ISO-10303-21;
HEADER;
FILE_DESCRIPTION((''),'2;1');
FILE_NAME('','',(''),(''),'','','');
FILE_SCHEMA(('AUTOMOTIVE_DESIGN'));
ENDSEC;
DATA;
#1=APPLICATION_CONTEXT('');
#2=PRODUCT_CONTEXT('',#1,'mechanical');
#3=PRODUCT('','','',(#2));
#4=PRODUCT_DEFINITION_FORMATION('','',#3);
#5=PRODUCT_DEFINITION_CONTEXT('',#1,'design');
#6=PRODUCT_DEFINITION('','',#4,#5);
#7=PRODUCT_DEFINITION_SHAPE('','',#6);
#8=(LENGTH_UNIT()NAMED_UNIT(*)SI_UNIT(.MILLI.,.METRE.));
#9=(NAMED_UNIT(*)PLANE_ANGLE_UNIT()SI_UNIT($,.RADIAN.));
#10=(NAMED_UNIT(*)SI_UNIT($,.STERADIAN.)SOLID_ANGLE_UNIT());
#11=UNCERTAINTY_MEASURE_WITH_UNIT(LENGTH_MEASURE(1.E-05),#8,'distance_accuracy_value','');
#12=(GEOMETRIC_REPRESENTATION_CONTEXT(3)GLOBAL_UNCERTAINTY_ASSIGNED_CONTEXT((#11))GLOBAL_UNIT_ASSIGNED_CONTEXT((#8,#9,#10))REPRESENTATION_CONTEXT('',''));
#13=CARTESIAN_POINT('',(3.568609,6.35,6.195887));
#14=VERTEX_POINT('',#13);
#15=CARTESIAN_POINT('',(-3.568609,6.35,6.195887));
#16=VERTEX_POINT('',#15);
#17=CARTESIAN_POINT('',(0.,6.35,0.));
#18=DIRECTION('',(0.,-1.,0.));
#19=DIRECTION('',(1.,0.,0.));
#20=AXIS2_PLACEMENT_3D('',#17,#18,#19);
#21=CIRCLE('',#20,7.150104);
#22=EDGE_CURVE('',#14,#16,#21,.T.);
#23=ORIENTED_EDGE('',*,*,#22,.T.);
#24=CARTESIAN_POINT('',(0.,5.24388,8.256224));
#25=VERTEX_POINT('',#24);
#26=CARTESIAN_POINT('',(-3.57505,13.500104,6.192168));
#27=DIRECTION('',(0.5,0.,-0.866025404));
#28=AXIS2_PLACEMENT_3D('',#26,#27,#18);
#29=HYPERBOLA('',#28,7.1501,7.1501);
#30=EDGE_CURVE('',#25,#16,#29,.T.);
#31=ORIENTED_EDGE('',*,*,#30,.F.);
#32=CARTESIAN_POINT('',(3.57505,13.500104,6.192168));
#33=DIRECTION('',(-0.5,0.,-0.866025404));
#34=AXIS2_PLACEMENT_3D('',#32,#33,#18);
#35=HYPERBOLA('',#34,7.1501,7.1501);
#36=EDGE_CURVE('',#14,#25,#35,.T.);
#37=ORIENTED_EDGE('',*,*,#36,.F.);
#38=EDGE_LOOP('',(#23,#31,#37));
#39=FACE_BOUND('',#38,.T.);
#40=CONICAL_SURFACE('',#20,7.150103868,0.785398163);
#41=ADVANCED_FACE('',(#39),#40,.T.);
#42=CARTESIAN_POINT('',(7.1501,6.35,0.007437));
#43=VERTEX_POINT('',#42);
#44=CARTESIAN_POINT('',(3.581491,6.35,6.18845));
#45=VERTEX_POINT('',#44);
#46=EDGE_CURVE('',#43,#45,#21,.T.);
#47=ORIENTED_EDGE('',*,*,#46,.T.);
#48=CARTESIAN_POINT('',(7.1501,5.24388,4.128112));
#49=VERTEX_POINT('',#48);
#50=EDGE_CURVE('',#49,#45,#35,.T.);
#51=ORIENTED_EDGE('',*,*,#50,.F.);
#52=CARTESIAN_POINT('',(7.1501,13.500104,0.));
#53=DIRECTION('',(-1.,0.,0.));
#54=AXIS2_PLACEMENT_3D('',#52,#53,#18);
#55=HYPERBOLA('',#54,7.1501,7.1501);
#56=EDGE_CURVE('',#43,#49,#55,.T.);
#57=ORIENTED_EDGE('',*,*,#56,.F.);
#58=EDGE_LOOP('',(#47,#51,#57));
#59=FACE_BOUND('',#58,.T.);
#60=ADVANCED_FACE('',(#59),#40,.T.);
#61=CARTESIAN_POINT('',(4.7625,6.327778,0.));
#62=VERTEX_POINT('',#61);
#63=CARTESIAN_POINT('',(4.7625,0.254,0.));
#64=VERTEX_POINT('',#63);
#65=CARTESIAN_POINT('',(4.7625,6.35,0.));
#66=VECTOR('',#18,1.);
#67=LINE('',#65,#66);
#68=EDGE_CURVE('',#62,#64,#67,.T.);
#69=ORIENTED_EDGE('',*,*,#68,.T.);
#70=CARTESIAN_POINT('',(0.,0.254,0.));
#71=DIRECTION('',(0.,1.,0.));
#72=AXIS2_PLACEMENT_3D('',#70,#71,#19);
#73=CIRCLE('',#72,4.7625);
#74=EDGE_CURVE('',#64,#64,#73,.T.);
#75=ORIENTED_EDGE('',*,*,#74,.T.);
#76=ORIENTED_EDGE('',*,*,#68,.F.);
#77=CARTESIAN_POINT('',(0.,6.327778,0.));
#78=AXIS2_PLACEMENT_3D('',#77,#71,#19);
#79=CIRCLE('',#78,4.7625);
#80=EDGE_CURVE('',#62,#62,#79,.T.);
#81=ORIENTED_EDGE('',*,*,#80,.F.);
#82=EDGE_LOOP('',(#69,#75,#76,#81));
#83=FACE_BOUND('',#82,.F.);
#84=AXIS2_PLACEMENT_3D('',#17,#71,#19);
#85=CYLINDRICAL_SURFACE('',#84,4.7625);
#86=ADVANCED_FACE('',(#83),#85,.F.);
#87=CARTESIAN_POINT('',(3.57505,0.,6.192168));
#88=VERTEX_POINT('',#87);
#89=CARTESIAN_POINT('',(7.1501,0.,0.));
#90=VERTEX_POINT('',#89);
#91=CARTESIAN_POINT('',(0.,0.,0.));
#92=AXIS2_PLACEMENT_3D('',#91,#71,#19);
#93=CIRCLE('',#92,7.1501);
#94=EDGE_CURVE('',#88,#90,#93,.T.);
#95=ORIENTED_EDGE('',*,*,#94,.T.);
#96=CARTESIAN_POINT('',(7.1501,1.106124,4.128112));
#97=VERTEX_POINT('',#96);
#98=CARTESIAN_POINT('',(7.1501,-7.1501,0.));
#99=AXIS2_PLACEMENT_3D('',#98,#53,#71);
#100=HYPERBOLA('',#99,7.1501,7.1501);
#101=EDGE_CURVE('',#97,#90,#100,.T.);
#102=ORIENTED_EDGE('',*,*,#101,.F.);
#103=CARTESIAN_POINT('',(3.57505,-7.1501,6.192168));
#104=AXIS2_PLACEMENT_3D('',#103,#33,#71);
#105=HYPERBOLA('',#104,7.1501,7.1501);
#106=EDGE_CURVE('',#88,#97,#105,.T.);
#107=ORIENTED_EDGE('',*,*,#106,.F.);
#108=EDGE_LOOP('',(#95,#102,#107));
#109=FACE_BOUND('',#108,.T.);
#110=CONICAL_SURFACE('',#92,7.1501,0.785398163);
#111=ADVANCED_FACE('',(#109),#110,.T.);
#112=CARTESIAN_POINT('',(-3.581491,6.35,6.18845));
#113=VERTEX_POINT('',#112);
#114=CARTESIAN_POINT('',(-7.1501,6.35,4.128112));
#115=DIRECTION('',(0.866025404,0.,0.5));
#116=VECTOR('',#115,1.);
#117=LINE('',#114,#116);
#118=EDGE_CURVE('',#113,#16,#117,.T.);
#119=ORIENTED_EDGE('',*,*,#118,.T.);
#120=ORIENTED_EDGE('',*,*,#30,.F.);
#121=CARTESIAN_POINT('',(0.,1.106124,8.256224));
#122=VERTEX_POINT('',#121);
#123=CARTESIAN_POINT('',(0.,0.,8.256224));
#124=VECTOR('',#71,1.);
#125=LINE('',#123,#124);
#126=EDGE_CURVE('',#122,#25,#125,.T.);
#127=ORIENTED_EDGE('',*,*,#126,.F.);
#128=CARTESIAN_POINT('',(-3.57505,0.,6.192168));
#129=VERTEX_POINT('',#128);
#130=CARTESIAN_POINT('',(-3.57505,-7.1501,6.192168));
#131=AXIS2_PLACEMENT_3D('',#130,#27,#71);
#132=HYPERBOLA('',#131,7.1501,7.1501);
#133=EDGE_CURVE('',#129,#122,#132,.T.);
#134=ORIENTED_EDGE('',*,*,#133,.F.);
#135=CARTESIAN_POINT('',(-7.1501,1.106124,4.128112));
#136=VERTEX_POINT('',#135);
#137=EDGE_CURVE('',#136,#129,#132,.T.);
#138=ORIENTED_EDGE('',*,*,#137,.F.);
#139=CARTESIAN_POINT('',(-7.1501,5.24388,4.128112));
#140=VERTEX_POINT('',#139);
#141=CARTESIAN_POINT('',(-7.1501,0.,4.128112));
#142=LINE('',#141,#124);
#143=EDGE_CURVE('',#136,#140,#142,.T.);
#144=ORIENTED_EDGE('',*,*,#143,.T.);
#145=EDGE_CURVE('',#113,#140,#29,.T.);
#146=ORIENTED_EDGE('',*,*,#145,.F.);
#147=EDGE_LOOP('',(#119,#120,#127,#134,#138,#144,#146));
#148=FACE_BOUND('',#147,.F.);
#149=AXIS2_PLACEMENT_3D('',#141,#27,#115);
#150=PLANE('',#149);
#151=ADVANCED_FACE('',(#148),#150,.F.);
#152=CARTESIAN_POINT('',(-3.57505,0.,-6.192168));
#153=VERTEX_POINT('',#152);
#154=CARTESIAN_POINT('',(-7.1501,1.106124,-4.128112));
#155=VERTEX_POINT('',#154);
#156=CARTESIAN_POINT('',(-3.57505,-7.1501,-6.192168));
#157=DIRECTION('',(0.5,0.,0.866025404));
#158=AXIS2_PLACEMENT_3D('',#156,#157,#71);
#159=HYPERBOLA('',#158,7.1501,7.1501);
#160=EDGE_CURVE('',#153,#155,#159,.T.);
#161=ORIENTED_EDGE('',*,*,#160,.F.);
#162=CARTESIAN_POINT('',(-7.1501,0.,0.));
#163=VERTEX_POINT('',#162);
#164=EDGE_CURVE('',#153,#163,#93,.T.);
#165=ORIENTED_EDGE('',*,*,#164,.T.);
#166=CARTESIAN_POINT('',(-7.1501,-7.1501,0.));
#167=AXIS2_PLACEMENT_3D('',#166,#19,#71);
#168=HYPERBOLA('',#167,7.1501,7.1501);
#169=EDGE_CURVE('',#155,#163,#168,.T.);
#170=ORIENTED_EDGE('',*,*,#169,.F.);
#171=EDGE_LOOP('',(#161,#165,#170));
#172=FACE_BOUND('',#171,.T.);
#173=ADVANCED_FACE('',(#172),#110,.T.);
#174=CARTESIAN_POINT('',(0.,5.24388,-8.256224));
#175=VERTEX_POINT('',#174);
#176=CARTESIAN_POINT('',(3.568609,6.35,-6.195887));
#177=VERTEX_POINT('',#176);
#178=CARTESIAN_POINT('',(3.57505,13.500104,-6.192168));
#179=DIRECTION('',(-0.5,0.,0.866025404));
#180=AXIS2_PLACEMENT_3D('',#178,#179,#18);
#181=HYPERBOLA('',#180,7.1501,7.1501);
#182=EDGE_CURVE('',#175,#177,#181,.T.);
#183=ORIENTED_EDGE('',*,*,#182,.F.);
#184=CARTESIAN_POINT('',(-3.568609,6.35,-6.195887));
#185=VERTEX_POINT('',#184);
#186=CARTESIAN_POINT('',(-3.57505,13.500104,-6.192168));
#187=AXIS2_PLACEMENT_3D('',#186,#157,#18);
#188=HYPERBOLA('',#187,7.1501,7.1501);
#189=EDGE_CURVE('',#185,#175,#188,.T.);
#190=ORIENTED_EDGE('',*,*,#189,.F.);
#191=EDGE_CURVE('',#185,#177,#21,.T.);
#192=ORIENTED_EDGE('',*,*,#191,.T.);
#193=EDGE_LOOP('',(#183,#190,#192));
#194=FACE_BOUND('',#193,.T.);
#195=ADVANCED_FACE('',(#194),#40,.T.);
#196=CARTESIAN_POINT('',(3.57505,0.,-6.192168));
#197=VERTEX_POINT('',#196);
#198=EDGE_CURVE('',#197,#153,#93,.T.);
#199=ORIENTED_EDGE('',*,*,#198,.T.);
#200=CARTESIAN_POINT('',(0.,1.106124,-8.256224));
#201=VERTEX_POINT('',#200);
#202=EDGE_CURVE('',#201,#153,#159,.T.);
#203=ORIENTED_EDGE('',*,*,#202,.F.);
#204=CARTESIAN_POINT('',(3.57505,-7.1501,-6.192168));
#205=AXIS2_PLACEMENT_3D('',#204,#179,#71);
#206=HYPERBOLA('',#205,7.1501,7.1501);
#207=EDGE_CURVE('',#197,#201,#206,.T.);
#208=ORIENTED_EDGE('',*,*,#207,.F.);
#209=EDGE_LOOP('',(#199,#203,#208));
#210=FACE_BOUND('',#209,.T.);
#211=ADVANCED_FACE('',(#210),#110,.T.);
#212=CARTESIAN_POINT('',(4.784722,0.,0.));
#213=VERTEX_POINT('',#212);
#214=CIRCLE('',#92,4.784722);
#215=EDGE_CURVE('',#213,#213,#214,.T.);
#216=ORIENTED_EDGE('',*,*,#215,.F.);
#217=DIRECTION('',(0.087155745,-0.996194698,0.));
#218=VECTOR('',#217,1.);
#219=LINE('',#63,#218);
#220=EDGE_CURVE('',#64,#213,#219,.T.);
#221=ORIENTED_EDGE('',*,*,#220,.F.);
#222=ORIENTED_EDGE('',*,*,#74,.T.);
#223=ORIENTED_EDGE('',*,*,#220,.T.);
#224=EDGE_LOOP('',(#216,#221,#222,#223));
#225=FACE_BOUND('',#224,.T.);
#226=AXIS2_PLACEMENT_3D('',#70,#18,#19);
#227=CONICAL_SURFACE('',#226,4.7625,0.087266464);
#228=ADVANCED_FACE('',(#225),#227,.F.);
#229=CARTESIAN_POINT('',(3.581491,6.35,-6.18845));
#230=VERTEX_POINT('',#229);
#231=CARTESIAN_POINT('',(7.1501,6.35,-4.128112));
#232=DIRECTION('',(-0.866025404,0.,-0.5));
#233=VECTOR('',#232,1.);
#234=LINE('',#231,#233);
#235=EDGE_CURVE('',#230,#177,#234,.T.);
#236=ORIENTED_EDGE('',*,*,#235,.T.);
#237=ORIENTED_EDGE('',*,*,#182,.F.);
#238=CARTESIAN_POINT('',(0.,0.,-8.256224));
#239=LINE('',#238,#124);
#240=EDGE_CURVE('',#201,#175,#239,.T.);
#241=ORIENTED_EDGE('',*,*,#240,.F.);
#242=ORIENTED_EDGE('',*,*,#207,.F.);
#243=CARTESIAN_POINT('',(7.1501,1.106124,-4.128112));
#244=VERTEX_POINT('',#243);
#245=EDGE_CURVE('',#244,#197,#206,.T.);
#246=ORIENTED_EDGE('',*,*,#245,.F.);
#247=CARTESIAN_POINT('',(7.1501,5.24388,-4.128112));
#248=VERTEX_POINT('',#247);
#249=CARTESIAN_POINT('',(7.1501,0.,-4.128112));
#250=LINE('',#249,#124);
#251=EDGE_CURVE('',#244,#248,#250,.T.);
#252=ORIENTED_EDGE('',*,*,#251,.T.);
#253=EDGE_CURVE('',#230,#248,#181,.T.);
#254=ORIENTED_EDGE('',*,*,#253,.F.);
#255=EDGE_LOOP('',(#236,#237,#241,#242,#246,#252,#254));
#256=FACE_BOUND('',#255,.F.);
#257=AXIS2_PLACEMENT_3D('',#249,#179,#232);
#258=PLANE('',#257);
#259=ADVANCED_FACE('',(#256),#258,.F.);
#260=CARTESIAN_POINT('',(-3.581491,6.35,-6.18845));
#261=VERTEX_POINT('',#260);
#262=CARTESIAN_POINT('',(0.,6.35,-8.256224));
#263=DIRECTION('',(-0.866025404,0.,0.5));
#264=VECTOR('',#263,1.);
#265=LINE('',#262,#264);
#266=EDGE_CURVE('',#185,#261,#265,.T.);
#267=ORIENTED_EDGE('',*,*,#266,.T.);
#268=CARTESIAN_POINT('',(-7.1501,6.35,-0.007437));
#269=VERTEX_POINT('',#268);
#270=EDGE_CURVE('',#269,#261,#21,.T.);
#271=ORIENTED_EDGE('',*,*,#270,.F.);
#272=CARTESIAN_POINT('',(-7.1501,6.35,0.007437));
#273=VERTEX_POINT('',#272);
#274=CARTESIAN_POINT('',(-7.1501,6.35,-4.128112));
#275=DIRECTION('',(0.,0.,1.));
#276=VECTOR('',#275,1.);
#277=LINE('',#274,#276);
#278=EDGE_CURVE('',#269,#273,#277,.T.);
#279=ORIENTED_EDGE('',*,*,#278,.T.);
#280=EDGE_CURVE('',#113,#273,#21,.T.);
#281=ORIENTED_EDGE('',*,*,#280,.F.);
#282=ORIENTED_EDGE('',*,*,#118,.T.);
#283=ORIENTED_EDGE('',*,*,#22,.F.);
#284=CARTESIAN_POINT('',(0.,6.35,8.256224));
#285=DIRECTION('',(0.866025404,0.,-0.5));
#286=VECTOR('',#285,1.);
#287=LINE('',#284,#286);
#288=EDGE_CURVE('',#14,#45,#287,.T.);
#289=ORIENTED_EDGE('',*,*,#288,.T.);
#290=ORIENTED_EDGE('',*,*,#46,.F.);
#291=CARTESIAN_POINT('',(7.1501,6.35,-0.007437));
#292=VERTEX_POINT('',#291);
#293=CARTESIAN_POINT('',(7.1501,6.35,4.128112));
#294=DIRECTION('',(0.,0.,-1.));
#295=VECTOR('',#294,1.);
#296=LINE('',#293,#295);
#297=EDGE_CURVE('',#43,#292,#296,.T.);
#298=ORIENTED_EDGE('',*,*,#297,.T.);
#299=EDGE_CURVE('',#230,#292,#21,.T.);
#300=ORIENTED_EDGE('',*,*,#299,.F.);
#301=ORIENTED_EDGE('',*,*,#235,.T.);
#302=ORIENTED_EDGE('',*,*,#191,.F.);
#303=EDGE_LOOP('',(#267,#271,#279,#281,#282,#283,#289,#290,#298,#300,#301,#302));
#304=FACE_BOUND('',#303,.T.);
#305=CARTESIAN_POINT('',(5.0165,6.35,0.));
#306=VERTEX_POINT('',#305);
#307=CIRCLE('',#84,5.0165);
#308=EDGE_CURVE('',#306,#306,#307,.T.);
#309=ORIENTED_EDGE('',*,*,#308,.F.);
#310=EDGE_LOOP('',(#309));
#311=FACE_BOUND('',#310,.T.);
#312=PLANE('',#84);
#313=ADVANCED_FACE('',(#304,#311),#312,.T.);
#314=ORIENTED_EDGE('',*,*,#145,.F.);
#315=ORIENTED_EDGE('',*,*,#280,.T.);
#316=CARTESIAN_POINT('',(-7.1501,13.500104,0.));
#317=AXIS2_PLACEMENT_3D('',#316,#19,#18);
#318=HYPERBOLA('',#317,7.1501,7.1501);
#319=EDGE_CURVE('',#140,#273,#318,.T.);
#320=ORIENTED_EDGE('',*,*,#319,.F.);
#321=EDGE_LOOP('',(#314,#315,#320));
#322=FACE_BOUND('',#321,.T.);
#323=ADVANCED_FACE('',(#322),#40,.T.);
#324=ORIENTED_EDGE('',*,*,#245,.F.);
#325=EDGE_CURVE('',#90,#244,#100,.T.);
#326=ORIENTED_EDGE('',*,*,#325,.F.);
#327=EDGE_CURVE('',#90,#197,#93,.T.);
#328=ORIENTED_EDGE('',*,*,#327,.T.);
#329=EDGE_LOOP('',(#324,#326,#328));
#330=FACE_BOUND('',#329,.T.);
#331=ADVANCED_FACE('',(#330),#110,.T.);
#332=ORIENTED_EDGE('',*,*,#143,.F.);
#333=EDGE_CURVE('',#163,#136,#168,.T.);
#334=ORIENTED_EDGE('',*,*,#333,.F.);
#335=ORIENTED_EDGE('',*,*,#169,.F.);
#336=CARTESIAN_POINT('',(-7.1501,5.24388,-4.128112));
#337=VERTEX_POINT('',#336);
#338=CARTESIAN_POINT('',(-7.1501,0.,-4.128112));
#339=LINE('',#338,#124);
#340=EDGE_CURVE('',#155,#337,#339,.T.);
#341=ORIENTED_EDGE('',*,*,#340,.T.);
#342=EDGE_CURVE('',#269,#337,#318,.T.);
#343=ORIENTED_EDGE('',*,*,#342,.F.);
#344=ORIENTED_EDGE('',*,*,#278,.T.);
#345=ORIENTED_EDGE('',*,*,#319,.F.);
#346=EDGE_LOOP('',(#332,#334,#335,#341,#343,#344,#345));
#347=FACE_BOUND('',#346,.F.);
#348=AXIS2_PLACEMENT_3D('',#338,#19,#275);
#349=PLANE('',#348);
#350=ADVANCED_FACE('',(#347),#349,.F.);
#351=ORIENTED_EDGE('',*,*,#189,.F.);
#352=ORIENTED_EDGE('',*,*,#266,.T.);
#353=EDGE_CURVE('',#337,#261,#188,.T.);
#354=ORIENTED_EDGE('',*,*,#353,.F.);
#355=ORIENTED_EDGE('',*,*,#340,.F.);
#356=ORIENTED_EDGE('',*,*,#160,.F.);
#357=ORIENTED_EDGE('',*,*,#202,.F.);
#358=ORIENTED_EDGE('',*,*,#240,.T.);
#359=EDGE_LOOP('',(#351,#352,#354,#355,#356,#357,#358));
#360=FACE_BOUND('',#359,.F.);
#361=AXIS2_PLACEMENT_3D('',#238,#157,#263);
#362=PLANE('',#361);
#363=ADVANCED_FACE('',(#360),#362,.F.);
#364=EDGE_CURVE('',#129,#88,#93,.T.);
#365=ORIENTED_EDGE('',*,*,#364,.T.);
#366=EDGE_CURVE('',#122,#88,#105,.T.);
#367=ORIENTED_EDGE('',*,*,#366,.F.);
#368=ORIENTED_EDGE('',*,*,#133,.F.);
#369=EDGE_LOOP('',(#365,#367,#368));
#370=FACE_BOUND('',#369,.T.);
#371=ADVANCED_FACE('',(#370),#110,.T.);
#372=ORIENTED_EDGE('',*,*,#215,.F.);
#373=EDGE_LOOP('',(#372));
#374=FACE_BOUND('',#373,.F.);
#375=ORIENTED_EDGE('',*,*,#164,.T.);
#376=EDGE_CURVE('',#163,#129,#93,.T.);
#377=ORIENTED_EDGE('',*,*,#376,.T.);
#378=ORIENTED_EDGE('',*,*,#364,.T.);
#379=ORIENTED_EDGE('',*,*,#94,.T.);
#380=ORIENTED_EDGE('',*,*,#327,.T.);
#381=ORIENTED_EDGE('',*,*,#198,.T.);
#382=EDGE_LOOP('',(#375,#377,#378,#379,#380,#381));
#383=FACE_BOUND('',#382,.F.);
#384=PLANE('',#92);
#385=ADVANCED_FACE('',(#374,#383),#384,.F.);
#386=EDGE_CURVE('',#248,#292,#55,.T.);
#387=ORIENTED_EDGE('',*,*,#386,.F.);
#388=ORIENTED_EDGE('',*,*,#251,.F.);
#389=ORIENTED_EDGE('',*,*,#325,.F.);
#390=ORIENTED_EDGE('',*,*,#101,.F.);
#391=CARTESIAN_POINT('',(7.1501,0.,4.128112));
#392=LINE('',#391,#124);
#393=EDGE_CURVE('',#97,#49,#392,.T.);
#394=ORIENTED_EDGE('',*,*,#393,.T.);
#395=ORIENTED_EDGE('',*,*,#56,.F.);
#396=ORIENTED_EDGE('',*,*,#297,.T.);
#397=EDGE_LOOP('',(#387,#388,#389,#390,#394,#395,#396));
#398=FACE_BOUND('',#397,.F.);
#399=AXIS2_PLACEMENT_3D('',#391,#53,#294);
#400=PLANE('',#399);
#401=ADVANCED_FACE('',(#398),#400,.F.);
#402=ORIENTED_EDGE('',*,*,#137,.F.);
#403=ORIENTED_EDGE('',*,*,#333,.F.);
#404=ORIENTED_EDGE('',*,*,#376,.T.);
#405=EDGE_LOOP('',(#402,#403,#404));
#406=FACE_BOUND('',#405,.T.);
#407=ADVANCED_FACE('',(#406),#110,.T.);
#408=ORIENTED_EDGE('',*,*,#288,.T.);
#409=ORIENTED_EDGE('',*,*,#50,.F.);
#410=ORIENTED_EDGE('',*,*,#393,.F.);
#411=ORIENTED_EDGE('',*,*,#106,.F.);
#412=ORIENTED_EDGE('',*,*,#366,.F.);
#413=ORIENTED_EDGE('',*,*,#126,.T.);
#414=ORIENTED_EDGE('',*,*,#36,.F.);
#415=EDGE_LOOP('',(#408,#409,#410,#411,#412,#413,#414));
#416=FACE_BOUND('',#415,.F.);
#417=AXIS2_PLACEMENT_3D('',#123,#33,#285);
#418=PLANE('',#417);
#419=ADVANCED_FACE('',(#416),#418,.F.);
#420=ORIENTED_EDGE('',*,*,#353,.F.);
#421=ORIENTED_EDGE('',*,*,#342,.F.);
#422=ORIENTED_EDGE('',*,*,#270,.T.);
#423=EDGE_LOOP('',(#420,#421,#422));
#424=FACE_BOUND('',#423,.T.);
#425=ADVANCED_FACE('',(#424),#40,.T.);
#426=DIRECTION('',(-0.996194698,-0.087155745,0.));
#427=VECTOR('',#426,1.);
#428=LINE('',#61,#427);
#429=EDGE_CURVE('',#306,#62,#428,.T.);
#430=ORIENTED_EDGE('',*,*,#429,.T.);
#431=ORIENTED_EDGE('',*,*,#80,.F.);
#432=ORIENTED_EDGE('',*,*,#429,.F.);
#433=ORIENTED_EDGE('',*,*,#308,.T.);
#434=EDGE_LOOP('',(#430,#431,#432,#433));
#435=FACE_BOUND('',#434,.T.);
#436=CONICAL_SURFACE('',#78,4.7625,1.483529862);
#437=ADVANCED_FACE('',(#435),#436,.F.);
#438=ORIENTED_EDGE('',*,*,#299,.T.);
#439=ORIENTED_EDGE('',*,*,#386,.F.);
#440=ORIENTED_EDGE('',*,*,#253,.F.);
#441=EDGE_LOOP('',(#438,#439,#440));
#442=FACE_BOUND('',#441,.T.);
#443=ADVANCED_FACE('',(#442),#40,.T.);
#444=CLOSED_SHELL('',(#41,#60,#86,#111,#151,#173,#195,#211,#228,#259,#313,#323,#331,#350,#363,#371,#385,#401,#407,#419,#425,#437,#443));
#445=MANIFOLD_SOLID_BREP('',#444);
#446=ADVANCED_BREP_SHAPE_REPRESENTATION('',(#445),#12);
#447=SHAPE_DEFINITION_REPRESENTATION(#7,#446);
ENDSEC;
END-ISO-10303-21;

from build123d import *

# Parameters (mm, degrees)
BOSS_EXTRUDE1_DEPTH = 6.35
SKETCH2_R           = 4.7625
CUT_EXTRUDE1_DEPTH  = 7.35
CHAMFER2_SIZE       = 0.254
CHAMFER2_SIZE2      = 0.022222121
CHAMFER3_SIZE       = 0.254
CHAMFER3_SIZE2      = 0.022222121
SKETCH3_OUTSIDE_W   = 33.55
SKETCH3_OUTSIDE_H   = 35.762
SKETCH3_OUTSIDE_R   = 7.150103868
CUT_EXTRUDE2_DEPTH  = 6.35
CUT_EXTRUDE2_TAPER  = 45
SKETCH4_OUTSIDE_W   = 33.55
SKETCH4_OUTSIDE_H   = 35.762
SKETCH4_OUTSIDE_R   = 7.1501
CUT_EXTRUDE3_DEPTH  = 6.35
CUT_EXTRUDE3_TAPER  = 45


with BuildPart() as part:
    # Sketch1 → Boss-Extrude1 (new body)
    with BuildSketch(Plane(origin=(0, 0, 0), x_dir=(1, 0, 0), z_dir=(0, 1, 0))):
        Polygon((0, 8.256224319), (-7.1501, 4.12811216), (-7.1501, -4.12811216), (0, -8.256224319), (7.1501, -4.12811216), (7.1501, 4.12811216), align=None)
    extrude(amount=BOSS_EXTRUDE1_DEPTH)

    # Sketch2 → Cut-Extrude1 (cut, through all)
    with BuildSketch(Plane(origin=(0, 6.35, 0), x_dir=(1, 0, 0), z_dir=(0, 1, 0))):
        Circle(SKETCH2_R)
    extrude(amount=-CUT_EXTRUDE1_DEPTH, mode=Mode.SUBTRACT)

    # Chamfer2
    chamfer2_edges = [part.edges().sort_by_distance(p)[0] for p in [
        (-4.7625, 6.35, 0),
    ]]
    chamfer2_side = [part.faces().sort_by_distance(p)[0] for p in [
        (-3.465830418, 6.35, -6.002994375),
    ]]
    chamfer(chamfer2_edges, length=CHAMFER2_SIZE, length2=CHAMFER2_SIZE2, reference=chamfer2_side[0])

    # Chamfer3
    chamfer3_edges = [part.edges().sort_by_distance(p)[0] for p in [
        (-4.7625, 0, 0),
    ]]
    chamfer3_side = [part.faces().sort_by_distance(p)[0] for p in [
        (-4.7625, 3.16388894, 0),
    ]]
    chamfer(chamfer3_edges, length=CHAMFER3_SIZE, length2=CHAMFER3_SIZE2, reference=chamfer3_side[0])

    # Sketch3 outside → Cut-Extrude2 (cut)
    with BuildSketch(Plane(origin=(0, 6.35, 0), x_dir=(1, 0, 0), z_dir=(0, 1, 0))):
        Rectangle(SKETCH3_OUTSIDE_W, SKETCH3_OUTSIDE_H)
        Circle(SKETCH3_OUTSIDE_R, mode=Mode.SUBTRACT)
    extrude(amount=-CUT_EXTRUDE2_DEPTH, taper=CUT_EXTRUDE2_TAPER, mode=Mode.SUBTRACT)

    # Sketch4 outside → Cut-Extrude3 (cut)
    with BuildSketch(Plane.XZ):
        Rectangle(SKETCH4_OUTSIDE_W, SKETCH4_OUTSIDE_H)
        Circle(SKETCH4_OUTSIDE_R, mode=Mode.SUBTRACT)
    extrude(amount=-CUT_EXTRUDE3_DEPTH, taper=CUT_EXTRUDE3_TAPER, mode=Mode.SUBTRACT)


solid = part.part
